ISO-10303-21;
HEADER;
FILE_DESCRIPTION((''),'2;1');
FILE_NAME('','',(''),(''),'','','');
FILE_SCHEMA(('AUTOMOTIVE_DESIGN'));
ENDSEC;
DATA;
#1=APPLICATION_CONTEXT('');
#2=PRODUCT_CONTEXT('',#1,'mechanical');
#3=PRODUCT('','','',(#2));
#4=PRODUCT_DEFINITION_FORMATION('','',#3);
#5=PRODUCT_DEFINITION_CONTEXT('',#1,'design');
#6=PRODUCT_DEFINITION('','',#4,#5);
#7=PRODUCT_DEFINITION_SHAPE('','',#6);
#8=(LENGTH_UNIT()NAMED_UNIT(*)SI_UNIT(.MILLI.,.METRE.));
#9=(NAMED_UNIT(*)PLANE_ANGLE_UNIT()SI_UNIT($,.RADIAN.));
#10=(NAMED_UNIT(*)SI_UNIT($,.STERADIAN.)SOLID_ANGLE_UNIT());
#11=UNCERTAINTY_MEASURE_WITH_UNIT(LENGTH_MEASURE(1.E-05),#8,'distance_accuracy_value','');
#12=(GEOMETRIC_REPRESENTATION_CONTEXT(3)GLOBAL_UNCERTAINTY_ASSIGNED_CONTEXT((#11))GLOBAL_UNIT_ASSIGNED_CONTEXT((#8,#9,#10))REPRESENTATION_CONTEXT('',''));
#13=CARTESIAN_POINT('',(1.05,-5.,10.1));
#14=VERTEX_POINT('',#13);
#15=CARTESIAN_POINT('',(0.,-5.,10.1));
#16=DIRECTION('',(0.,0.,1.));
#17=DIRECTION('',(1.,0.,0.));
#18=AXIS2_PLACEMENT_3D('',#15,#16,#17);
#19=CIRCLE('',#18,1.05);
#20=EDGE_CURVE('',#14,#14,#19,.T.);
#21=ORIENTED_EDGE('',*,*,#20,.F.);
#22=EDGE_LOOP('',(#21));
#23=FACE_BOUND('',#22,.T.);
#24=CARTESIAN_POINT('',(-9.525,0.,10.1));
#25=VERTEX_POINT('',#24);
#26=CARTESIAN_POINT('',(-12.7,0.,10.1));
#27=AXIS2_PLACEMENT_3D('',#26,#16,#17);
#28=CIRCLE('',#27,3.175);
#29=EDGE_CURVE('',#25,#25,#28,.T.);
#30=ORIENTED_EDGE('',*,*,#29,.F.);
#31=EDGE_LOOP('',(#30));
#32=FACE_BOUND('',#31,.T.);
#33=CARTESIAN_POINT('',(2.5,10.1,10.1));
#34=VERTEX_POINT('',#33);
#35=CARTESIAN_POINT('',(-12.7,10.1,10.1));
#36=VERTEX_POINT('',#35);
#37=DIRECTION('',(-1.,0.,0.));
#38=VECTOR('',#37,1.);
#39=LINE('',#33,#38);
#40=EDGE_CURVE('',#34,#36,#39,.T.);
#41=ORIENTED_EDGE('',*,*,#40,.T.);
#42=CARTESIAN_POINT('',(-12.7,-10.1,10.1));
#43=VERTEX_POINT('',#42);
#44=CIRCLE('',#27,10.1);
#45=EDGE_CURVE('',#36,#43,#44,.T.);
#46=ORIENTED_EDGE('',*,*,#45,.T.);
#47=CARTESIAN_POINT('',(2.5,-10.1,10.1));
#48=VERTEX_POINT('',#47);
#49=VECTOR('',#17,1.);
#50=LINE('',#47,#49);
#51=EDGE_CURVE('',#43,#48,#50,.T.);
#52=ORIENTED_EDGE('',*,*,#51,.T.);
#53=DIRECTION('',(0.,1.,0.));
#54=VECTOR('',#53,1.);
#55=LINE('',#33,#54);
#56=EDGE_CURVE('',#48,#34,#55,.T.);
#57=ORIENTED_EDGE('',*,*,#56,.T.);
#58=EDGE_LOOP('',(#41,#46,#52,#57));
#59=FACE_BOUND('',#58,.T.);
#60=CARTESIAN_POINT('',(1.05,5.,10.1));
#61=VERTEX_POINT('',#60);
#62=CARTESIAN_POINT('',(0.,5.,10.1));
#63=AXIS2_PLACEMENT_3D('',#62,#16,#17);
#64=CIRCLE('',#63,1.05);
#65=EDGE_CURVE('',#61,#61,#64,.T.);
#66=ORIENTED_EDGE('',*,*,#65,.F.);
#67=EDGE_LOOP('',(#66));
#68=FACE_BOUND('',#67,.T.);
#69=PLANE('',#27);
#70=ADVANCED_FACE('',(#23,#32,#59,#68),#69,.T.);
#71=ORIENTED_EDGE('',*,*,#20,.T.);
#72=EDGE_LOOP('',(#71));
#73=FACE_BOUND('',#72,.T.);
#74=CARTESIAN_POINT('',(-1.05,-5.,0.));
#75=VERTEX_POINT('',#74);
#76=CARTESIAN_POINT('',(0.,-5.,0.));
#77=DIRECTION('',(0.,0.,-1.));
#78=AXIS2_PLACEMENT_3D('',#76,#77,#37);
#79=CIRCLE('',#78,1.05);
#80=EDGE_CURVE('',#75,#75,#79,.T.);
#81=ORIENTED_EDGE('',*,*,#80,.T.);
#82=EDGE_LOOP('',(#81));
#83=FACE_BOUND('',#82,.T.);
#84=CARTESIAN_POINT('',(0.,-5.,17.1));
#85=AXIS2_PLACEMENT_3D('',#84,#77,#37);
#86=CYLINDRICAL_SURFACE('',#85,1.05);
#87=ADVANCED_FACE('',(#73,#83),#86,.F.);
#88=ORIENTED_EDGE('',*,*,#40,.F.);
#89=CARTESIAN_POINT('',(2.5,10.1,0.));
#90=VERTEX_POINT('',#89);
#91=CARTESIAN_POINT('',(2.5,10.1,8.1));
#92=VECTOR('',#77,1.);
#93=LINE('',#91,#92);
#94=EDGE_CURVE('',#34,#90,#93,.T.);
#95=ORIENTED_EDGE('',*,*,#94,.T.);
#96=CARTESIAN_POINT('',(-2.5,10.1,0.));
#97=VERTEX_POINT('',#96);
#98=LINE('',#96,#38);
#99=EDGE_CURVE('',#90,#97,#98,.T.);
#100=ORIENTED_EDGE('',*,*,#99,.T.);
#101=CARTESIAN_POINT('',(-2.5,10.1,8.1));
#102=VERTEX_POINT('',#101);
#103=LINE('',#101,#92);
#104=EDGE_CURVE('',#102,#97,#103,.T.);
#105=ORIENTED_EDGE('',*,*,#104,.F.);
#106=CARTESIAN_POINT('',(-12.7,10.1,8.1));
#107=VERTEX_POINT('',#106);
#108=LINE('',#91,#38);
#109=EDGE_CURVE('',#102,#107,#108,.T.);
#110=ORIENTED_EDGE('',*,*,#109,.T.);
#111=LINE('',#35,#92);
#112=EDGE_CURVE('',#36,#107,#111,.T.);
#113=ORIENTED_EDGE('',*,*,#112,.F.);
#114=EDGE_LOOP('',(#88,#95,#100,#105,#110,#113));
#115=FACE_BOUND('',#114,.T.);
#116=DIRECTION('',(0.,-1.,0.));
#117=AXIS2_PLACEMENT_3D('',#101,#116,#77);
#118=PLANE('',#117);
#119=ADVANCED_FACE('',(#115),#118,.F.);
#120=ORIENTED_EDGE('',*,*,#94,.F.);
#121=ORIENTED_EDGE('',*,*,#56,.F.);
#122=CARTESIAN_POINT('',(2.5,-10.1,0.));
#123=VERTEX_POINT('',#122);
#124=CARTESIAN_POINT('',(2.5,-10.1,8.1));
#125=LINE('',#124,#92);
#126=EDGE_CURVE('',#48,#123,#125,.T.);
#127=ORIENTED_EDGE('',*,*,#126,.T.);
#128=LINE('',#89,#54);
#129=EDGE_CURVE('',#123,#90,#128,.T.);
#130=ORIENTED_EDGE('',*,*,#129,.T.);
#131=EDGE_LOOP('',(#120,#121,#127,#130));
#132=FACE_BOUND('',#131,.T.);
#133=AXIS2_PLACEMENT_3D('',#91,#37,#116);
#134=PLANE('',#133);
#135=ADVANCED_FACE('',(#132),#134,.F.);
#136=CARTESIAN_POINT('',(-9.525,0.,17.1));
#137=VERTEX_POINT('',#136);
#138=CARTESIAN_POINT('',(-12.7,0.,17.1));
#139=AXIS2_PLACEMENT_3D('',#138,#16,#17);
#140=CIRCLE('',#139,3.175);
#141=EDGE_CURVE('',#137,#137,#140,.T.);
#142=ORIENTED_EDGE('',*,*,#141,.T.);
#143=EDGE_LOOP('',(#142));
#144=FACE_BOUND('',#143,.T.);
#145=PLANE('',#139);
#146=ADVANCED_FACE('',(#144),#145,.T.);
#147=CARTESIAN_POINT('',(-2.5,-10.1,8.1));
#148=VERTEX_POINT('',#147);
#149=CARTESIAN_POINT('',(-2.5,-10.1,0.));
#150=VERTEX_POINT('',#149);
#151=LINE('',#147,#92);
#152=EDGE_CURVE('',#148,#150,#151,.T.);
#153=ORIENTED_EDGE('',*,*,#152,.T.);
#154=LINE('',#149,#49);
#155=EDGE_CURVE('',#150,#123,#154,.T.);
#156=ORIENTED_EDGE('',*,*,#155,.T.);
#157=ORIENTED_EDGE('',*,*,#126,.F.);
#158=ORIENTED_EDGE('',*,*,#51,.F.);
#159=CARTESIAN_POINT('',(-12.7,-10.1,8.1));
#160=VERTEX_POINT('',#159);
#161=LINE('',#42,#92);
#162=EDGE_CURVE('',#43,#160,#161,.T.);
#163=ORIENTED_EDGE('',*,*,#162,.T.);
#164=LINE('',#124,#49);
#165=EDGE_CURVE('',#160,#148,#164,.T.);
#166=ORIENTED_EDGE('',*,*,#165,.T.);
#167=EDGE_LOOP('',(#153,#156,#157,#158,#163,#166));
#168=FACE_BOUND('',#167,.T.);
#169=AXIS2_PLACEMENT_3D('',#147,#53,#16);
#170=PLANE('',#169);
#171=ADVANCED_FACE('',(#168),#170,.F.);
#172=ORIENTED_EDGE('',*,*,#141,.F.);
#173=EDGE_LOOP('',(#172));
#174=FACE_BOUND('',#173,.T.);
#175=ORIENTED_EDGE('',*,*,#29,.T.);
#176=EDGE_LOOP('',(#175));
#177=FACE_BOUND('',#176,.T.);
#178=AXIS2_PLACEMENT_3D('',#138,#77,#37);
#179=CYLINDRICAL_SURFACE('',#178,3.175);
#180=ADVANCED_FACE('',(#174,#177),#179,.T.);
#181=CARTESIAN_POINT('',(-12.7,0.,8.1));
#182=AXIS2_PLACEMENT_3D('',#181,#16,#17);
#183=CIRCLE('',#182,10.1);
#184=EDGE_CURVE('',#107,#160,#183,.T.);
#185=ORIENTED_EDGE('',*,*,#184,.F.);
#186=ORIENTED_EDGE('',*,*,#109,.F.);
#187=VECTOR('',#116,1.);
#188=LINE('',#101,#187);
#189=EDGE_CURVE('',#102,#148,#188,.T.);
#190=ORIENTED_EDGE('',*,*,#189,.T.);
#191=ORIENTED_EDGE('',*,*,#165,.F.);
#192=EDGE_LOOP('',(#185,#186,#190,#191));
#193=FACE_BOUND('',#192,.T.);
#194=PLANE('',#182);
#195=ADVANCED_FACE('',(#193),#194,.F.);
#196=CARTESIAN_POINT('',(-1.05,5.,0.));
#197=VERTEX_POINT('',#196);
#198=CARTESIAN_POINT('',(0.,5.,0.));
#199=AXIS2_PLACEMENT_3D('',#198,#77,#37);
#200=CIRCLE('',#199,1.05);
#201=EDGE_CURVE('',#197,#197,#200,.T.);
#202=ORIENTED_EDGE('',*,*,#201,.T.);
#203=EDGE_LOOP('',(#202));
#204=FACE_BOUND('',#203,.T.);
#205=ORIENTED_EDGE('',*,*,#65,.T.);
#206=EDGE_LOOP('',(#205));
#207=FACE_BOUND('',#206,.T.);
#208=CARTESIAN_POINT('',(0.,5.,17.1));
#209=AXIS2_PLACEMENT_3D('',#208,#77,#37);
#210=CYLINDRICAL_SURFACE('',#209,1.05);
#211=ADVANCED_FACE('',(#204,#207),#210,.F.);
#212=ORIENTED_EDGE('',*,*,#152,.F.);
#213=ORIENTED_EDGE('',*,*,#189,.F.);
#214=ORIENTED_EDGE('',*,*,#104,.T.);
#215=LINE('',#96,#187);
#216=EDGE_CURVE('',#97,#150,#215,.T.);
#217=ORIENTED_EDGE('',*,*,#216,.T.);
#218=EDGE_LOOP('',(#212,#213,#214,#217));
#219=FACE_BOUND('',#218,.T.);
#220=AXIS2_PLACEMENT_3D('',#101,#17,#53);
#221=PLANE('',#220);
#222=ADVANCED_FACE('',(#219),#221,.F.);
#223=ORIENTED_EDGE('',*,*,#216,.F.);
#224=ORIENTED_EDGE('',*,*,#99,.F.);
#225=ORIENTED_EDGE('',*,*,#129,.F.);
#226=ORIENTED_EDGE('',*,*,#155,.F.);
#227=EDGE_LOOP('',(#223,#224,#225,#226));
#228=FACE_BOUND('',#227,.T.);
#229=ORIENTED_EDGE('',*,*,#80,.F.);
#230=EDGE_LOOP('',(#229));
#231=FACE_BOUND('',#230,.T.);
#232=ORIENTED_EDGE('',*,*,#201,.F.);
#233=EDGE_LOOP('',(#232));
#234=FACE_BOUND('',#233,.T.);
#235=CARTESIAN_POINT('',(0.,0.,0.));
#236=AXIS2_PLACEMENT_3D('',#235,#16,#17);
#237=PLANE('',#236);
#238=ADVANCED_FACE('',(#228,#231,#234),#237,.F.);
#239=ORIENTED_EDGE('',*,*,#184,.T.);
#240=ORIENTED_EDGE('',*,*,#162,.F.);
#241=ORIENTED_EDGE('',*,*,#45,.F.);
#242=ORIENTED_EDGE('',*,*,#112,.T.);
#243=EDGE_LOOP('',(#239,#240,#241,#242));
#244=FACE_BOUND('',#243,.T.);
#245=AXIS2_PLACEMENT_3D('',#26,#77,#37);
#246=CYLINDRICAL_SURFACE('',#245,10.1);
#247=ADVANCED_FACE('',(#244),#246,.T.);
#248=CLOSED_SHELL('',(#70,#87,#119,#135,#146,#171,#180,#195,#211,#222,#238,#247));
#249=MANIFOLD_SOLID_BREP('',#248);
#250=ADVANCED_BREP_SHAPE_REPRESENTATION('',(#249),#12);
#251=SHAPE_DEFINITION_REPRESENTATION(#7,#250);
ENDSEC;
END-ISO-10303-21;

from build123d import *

# Parameters (mm, degrees)
ESQUISSE1_W             = 5
ESQUISSE1_H             = 20.2
BOSS_EXTRU_1_DEPTH      = 8.1
BOSS_EXTRU_2_DEPTH      = 2
ESQUISSE3_R             = 3.175
BOSS_EXTRU_3_DEPTH      = 7
ESQUISSE4_R             = 1.05
ENL_V_MAT_EXTRU_1_DEPTH = 31.236732628


with BuildPart() as part:
    # Esquisse1 → Boss.-Extru.1 (new body)
    with BuildSketch(Plane.XY):
        Rectangle(ESQUISSE1_W, ESQUISSE1_H)
    extrude(amount=BOSS_EXTRU_1_DEPTH)

    # Esquisse2 → Boss.-Extru.2 (add)
    with BuildSketch(Plane.XY.offset(8.1)):
        with BuildLine():
            Line((2.5, 10.1), (-12.7, 10.1))
            ThreePointArc((-12.7, 10.1), (-22.8, 0), (-12.7, -10.1))
            Line((-12.7, -10.1), (2.5, -10.1))
            Line((2.5, -10.1), (2.5, 10.1))
        make_face()
    extrude(amount=BOSS_EXTRU_2_DEPTH)

    # Esquisse3 → Boss.-Extru.3 (add)
    with BuildSketch(Plane.XY.offset(10.1)):
        with Locations((-12.7, 0)):
            Circle(ESQUISSE3_R)
    extrude(amount=BOSS_EXTRU_3_DEPTH)

    # Esquisse4 → Enlèv. mat.-Extru.1 (cut, through all)
    with BuildSketch(Plane(origin=(0, 0, 0), x_dir=(-1, 0, 0), z_dir=(0, 0, -1))):
        with Locations((0, 5)):
            Circle(ESQUISSE4_R)
        with Locations((0, -5)):
            Circle(ESQUISSE4_R)
    extrude(amount=-ENL_V_MAT_EXTRU_1_DEPTH, mode=Mode.SUBTRACT)


solid = part.part
